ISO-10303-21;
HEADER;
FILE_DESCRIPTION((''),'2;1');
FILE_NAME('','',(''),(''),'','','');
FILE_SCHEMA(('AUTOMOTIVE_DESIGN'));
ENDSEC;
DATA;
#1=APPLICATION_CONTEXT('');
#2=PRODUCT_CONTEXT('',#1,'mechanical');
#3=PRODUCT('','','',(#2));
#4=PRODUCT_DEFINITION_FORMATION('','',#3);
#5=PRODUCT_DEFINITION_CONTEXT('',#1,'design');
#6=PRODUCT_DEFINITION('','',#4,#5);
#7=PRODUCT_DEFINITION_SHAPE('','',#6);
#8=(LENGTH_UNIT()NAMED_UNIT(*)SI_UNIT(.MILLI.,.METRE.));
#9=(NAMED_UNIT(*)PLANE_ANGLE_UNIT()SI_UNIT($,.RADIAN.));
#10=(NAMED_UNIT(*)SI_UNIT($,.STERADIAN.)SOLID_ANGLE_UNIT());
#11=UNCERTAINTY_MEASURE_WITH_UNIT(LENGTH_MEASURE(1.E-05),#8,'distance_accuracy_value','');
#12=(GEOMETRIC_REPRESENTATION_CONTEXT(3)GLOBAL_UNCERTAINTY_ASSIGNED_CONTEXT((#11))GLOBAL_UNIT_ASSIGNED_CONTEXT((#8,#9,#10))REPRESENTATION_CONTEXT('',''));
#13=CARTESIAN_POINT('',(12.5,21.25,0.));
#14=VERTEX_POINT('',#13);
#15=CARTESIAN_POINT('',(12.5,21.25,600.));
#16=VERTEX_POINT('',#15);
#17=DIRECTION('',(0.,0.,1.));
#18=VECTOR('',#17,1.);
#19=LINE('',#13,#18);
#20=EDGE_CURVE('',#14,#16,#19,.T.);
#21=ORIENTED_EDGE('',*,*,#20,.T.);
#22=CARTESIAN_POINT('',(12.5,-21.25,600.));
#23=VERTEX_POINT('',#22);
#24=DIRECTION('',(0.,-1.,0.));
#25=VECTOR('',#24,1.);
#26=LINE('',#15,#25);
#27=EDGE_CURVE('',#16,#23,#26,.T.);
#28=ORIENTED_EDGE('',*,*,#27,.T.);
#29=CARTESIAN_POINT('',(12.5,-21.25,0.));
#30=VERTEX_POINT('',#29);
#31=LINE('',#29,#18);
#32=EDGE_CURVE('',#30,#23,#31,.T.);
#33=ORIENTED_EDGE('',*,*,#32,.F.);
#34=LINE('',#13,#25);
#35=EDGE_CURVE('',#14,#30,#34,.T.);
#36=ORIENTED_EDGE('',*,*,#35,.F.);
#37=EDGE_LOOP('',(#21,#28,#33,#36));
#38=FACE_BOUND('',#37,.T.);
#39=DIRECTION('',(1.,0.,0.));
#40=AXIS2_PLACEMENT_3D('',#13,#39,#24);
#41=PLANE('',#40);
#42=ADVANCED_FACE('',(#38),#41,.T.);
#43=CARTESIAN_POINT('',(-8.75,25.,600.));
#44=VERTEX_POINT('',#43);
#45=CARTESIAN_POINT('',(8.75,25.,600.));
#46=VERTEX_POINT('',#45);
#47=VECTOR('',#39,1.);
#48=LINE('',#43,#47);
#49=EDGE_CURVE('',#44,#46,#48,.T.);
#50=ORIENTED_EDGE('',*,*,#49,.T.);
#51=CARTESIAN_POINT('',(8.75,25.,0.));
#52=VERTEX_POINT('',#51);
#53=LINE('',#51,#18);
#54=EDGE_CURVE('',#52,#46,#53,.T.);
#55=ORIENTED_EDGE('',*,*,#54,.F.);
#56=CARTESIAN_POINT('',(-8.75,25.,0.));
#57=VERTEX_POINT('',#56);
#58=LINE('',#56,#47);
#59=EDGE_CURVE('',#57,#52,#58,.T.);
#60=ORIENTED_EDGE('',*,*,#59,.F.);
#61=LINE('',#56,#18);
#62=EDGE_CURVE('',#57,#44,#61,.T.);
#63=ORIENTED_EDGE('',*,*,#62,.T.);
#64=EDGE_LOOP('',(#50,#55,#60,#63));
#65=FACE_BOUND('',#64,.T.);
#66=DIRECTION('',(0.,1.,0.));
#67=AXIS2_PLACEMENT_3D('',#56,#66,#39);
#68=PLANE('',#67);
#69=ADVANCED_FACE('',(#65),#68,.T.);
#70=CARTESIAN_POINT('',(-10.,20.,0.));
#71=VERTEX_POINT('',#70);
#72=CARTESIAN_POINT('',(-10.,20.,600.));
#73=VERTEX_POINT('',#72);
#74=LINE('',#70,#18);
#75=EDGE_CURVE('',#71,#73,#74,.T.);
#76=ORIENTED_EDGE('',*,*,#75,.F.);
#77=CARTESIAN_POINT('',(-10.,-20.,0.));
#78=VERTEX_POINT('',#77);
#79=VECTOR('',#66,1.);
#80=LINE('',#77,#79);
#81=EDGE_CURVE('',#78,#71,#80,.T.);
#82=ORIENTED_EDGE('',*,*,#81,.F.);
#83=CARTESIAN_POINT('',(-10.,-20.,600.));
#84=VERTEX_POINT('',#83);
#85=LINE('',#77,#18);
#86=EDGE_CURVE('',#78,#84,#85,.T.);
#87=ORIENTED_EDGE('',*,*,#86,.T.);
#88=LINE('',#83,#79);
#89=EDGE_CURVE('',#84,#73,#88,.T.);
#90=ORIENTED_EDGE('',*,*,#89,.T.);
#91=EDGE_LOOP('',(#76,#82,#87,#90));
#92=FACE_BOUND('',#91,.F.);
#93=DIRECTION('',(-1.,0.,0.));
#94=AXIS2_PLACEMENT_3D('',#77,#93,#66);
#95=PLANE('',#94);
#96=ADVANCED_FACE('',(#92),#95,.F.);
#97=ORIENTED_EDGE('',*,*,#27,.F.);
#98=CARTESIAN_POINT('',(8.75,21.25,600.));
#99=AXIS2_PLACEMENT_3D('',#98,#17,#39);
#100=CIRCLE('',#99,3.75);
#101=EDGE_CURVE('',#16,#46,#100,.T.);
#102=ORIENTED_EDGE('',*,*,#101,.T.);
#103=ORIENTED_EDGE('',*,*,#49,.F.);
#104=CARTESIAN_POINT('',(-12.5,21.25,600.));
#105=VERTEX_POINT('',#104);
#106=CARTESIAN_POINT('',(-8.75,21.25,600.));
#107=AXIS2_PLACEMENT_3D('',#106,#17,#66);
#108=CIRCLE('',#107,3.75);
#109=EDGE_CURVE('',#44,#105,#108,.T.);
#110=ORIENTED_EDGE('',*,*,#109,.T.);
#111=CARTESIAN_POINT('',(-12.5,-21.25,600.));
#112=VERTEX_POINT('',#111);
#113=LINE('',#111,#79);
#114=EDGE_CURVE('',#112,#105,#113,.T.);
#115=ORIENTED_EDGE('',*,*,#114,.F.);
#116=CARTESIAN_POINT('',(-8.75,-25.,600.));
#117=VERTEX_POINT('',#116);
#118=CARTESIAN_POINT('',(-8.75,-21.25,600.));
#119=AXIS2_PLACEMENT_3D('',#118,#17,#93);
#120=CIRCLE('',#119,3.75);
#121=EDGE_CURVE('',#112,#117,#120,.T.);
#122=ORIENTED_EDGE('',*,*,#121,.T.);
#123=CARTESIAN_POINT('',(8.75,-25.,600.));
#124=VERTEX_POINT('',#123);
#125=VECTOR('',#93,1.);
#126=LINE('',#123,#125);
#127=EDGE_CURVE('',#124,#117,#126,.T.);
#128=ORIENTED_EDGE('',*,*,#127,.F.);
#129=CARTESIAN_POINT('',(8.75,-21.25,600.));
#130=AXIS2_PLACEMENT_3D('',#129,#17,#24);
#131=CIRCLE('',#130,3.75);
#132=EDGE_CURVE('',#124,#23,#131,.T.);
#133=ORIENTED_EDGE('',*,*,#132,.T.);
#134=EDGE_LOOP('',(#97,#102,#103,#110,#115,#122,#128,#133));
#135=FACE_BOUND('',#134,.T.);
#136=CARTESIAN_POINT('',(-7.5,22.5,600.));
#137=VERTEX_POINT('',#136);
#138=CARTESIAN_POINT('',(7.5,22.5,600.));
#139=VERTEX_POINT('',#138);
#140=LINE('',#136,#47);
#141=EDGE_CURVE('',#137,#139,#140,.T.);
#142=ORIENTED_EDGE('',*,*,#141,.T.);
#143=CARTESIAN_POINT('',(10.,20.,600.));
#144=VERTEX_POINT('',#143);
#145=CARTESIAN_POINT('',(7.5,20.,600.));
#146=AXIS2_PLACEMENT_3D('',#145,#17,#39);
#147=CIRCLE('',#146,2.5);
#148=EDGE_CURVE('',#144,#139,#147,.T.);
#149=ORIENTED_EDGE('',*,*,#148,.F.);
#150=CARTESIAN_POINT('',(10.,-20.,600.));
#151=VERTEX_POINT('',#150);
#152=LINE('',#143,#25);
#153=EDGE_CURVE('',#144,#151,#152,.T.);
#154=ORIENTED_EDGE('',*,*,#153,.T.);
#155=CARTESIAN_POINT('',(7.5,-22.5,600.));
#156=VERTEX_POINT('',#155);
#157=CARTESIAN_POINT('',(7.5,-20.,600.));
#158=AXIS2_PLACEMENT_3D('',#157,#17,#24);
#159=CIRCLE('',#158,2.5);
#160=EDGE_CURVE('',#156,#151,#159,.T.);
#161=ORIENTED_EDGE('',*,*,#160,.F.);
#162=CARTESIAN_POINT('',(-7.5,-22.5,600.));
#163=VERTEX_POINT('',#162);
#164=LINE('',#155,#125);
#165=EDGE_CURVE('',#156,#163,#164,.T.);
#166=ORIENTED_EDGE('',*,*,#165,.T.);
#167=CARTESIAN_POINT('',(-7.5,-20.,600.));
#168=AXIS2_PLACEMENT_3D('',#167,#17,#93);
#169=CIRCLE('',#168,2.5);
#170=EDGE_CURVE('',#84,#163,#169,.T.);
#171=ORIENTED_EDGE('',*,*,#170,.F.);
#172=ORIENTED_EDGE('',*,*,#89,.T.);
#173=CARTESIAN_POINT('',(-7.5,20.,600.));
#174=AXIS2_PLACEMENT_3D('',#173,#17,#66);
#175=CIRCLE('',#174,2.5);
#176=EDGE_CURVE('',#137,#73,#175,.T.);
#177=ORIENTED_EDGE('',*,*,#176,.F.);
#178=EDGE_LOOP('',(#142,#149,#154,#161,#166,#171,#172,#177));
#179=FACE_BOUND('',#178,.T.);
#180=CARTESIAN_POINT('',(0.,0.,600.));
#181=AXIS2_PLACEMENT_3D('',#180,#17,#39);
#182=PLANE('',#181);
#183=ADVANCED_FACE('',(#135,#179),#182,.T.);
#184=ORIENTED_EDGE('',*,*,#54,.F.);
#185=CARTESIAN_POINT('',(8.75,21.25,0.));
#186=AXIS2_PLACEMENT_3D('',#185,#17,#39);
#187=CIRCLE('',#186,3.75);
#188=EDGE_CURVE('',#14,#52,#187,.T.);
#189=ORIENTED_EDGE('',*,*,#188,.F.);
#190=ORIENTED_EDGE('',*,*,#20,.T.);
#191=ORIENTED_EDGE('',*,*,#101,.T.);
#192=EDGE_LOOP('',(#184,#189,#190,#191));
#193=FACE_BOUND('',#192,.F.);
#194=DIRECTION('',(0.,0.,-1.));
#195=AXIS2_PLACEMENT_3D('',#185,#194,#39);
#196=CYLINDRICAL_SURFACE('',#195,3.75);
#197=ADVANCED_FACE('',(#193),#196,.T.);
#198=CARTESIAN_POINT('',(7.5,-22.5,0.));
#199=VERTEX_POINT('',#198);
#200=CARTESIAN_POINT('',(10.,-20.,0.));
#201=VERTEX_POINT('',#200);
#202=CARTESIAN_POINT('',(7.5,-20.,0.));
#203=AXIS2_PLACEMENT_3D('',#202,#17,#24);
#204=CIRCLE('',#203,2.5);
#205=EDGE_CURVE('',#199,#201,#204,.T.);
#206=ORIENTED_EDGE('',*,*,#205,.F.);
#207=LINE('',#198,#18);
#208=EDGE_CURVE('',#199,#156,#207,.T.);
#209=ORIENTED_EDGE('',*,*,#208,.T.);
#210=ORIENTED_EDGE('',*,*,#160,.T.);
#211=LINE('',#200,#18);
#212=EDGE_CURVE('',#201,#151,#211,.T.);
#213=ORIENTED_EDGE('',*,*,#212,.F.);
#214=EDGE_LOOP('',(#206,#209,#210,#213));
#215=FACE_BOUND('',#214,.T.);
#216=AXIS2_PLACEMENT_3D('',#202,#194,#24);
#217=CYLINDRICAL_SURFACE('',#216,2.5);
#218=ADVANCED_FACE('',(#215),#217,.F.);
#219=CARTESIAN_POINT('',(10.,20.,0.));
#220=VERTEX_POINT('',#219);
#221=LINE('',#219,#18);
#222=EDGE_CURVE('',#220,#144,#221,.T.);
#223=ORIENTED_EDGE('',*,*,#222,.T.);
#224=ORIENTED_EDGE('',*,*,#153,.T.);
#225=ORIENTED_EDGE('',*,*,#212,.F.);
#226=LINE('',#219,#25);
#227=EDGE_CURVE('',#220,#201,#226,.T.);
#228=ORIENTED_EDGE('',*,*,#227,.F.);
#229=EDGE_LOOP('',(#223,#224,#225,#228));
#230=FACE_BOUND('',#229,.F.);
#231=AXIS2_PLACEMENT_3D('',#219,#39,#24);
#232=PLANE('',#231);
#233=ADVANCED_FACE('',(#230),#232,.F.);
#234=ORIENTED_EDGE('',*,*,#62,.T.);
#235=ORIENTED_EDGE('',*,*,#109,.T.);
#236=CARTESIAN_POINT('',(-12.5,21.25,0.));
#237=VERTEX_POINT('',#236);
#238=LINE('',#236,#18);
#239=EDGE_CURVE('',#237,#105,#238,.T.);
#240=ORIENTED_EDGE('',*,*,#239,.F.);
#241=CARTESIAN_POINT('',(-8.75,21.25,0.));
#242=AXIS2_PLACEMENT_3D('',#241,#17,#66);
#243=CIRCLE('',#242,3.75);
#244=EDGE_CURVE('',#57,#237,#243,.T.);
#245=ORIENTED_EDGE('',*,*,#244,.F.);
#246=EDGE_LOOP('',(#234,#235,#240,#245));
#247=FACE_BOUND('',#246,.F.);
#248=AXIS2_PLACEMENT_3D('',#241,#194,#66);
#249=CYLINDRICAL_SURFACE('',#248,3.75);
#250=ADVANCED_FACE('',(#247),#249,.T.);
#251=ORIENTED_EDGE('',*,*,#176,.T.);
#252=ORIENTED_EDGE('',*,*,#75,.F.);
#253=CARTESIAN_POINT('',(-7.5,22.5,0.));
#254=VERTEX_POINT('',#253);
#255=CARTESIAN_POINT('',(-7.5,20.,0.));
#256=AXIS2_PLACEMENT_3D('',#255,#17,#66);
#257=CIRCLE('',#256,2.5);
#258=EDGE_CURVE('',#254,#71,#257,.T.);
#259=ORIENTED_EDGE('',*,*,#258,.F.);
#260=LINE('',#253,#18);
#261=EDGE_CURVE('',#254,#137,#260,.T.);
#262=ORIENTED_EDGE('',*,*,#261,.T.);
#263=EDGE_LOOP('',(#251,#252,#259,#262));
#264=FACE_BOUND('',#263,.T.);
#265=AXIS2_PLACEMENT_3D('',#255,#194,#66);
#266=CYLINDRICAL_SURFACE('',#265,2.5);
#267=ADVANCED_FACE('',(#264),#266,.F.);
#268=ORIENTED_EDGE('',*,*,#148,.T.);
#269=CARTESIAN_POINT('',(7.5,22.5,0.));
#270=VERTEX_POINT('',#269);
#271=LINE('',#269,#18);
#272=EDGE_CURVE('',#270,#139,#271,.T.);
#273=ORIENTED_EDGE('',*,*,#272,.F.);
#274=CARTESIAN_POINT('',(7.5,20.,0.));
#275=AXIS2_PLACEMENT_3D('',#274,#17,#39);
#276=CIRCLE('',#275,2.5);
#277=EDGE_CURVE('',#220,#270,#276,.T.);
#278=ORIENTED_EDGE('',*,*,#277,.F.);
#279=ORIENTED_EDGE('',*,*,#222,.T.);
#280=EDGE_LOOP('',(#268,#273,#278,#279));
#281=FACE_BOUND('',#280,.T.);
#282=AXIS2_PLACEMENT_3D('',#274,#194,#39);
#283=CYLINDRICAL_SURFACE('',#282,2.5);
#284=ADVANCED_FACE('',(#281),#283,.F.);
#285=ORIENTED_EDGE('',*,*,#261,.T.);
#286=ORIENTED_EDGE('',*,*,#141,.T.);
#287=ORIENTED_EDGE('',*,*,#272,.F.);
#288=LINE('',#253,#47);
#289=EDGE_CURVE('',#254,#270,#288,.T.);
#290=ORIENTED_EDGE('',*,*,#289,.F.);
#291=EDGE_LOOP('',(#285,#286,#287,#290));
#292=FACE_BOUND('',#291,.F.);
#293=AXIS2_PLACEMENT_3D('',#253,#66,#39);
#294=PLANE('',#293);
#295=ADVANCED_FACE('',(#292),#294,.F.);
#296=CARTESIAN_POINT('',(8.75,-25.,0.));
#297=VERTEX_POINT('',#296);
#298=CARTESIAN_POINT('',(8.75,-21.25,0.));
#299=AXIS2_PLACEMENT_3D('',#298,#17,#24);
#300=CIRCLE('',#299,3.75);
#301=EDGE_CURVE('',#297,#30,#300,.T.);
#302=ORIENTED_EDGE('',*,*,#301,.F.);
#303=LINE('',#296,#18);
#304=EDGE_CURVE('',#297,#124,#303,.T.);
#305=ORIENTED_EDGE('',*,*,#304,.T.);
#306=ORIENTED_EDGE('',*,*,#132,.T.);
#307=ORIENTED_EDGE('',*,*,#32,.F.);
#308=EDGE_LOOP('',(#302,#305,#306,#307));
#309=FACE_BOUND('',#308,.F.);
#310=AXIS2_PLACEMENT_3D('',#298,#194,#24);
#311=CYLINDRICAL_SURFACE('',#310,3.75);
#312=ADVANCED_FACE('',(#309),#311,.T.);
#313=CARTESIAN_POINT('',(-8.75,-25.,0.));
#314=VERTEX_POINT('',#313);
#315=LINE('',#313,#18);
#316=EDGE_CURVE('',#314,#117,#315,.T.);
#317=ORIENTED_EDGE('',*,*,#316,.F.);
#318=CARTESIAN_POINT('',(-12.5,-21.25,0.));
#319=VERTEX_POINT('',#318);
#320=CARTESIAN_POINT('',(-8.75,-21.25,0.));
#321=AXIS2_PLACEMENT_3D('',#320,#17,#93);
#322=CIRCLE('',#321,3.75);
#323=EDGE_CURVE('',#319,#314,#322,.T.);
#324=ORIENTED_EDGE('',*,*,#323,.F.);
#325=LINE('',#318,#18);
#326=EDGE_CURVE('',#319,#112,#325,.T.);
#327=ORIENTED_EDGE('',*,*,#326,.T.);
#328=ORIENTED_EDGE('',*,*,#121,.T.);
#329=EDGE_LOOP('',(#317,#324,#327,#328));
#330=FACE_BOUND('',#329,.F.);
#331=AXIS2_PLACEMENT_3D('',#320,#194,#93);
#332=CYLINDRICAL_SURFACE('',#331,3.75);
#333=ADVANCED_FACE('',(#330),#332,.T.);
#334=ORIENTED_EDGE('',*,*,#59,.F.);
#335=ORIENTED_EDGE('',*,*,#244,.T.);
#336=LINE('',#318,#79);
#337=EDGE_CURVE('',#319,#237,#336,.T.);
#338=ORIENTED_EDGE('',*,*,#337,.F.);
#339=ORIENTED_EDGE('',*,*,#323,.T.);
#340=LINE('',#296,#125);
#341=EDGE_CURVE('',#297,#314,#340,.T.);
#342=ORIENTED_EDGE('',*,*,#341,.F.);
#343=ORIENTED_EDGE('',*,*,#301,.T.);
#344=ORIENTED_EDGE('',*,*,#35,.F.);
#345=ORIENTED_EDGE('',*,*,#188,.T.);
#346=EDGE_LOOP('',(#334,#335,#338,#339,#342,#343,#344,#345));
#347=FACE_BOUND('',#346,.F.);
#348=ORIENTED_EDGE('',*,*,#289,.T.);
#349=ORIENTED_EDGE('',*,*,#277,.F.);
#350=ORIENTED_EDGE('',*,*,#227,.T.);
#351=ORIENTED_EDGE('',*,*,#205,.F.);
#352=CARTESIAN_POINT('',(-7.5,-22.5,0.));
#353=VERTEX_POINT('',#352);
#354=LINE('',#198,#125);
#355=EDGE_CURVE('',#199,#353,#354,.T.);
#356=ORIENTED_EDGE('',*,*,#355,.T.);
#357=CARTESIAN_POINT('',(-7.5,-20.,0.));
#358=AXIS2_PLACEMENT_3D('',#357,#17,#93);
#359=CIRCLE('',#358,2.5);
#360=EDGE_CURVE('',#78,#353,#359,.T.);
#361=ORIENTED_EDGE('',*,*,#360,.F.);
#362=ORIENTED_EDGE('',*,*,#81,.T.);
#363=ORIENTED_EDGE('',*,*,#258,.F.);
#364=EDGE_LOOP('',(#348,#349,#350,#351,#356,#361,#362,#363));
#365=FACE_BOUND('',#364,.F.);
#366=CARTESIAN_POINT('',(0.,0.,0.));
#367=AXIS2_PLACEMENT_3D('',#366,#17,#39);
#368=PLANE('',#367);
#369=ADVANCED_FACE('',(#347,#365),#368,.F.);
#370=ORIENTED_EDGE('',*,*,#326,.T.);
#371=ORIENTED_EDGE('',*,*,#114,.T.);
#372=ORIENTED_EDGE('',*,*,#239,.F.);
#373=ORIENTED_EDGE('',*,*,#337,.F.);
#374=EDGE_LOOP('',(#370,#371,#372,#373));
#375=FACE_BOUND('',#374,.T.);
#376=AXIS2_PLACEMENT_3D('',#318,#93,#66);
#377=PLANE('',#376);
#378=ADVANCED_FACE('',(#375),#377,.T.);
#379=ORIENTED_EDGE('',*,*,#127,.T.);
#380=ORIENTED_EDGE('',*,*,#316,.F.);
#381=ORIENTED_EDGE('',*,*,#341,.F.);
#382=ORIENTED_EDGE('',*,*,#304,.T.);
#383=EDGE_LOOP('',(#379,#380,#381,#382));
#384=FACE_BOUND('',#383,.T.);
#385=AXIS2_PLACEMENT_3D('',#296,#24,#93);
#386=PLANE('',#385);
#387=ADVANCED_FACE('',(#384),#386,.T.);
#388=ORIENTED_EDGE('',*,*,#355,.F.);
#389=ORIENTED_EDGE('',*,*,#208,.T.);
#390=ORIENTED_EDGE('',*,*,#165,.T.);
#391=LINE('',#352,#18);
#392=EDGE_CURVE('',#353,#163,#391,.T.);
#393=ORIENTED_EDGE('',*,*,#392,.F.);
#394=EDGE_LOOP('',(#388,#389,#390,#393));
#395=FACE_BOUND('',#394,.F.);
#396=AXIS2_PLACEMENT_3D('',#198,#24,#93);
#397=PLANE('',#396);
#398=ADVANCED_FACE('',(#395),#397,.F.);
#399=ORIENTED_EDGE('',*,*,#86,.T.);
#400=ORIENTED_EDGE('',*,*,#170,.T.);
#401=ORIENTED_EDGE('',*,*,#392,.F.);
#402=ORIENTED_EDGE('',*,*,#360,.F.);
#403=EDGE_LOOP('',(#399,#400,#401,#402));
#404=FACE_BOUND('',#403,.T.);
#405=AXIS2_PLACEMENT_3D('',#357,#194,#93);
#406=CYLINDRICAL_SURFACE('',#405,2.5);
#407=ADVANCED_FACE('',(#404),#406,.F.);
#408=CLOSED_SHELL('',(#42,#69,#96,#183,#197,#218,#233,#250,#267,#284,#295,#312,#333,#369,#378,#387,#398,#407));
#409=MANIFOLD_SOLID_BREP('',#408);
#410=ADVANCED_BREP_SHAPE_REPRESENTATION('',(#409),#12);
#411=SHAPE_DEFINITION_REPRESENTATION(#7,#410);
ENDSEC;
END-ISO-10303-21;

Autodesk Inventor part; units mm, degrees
ref_plane "YZ Plane" through (0, 0, 0) normal (1, 0, 0) x (0, 1, 0)
ref_plane "Plano inicial" through (0, 0, 0) normal (0, 0, 1) x (1, 0, 0)
ref_plane "Plano final" through (0, 0, 600) normal (0, 0, 1) x (1, 0, 0)
sketch "Esboço" plane through (0, 0, 0) normal (0, 0, 1) x (1, 0, 0)
  line L0 (-12.5, -21.25) -> (-12.5, 21.25)
  line L1 (-8.75, 25) -> (8.75, 25)
  line L2 (12.5, 21.25) -> (12.5, -21.25)
  line L3 (8.75, -25) -> (-8.75, -25)
  arc A0 (-12.5, -21.25) -> (-8.75, -25) centre (-8.75, -21.25) ccw
  arc A1 (-8.75, 25) -> (-12.5, 21.25) centre (-8.75, 21.25) ccw
  arc A2 (12.5, 21.25) -> (8.75, 25) centre (8.75, 21.25) ccw
  arc A3 (8.75, -25) -> (12.5, -21.25) centre (8.75, -21.25) ccw
  line L4 (-7.5, 22.5) -> (7.5, 22.5)
  line L5 (10, 20) -> (10, -20)
  line L6 (7.5, -22.5) -> (-7.5, -22.5)
  line L7 (-10, -20) -> (-10, 20)
  line L8 (0, 36.0873) -> (0, -36.0873) construction
  line L9 (-18.5873, 0) -> (18.5873, 0) construction
  arc A4 (-10, -20) -> (-7.5, -22.5) centre (-7.5, -20) ccw
  arc A5 (-7.5, 22.5) -> (-10, 20) centre (-7.5, 20) ccw
  arc A6 (10, 20) -> (7.5, 22.5) centre (7.5, 20) ccw
  arc A7 (7.5, -22.5) -> (10, -20) centre (7.5, -20) ccw
  dimension "d7" = 3.75
  dimension "d10" = 50
  dimension "d11" = 25
  dimension "d12" = 2.5
  dimension "d15" = 25
  dimension "d16" = 12.5
  dimension "d19" = 2.5
  dimension "d20" = 2.5
extrude "Corpo" add sketch "Esboço" along normal up to surface (600 mm away) from surface at 0
sketch "Sketch3" plane through (0, 0, 0) normal (0, 0, 1) x (1, 0, 0)
  line L0 (0, 0) -> (10, 0)
ref_plane "Work Plane3" through (0, 0, 0) normal (0, -1, 0) x (1, 0, 0)
sketch "Sketch4" plane through (0, 0, 0) normal (0, -1, 0) x (1, 0, 0)
  line L0 (-2, 0) -> (12, 0)
  line L1 (-2, 600) -> (12, 600)
  dimension "d18" = 600
equation "\"d7\" = G_IR"
equation "\"d10\" = G_H"
equation "\"d11\" = G_W"
equation "\"d12\" = G_T"
equation "\"d15\" = 0.5 * d10"
equation "\"d16\" = 0.5 * d11"
equation "\"d19\" = G_T"
equation "\"d20\" = G_T"
equation "\"d3\" = G_L"
equation "\"G_W\" = 25"
equation "\"G_H\" = 50"
equation "\"G_T\" = 2.5"
equation "\"G_IR\" = 3.75"
equation "\"G_L\" = d18"
equation "\"G_OFFSET_START\" = 0"
equation "\"G_OFFSET_END\" = 0"
properties part number "EN 10210-2 - 50 x 25 x 2,5 - 600" material "Aço, suave"
